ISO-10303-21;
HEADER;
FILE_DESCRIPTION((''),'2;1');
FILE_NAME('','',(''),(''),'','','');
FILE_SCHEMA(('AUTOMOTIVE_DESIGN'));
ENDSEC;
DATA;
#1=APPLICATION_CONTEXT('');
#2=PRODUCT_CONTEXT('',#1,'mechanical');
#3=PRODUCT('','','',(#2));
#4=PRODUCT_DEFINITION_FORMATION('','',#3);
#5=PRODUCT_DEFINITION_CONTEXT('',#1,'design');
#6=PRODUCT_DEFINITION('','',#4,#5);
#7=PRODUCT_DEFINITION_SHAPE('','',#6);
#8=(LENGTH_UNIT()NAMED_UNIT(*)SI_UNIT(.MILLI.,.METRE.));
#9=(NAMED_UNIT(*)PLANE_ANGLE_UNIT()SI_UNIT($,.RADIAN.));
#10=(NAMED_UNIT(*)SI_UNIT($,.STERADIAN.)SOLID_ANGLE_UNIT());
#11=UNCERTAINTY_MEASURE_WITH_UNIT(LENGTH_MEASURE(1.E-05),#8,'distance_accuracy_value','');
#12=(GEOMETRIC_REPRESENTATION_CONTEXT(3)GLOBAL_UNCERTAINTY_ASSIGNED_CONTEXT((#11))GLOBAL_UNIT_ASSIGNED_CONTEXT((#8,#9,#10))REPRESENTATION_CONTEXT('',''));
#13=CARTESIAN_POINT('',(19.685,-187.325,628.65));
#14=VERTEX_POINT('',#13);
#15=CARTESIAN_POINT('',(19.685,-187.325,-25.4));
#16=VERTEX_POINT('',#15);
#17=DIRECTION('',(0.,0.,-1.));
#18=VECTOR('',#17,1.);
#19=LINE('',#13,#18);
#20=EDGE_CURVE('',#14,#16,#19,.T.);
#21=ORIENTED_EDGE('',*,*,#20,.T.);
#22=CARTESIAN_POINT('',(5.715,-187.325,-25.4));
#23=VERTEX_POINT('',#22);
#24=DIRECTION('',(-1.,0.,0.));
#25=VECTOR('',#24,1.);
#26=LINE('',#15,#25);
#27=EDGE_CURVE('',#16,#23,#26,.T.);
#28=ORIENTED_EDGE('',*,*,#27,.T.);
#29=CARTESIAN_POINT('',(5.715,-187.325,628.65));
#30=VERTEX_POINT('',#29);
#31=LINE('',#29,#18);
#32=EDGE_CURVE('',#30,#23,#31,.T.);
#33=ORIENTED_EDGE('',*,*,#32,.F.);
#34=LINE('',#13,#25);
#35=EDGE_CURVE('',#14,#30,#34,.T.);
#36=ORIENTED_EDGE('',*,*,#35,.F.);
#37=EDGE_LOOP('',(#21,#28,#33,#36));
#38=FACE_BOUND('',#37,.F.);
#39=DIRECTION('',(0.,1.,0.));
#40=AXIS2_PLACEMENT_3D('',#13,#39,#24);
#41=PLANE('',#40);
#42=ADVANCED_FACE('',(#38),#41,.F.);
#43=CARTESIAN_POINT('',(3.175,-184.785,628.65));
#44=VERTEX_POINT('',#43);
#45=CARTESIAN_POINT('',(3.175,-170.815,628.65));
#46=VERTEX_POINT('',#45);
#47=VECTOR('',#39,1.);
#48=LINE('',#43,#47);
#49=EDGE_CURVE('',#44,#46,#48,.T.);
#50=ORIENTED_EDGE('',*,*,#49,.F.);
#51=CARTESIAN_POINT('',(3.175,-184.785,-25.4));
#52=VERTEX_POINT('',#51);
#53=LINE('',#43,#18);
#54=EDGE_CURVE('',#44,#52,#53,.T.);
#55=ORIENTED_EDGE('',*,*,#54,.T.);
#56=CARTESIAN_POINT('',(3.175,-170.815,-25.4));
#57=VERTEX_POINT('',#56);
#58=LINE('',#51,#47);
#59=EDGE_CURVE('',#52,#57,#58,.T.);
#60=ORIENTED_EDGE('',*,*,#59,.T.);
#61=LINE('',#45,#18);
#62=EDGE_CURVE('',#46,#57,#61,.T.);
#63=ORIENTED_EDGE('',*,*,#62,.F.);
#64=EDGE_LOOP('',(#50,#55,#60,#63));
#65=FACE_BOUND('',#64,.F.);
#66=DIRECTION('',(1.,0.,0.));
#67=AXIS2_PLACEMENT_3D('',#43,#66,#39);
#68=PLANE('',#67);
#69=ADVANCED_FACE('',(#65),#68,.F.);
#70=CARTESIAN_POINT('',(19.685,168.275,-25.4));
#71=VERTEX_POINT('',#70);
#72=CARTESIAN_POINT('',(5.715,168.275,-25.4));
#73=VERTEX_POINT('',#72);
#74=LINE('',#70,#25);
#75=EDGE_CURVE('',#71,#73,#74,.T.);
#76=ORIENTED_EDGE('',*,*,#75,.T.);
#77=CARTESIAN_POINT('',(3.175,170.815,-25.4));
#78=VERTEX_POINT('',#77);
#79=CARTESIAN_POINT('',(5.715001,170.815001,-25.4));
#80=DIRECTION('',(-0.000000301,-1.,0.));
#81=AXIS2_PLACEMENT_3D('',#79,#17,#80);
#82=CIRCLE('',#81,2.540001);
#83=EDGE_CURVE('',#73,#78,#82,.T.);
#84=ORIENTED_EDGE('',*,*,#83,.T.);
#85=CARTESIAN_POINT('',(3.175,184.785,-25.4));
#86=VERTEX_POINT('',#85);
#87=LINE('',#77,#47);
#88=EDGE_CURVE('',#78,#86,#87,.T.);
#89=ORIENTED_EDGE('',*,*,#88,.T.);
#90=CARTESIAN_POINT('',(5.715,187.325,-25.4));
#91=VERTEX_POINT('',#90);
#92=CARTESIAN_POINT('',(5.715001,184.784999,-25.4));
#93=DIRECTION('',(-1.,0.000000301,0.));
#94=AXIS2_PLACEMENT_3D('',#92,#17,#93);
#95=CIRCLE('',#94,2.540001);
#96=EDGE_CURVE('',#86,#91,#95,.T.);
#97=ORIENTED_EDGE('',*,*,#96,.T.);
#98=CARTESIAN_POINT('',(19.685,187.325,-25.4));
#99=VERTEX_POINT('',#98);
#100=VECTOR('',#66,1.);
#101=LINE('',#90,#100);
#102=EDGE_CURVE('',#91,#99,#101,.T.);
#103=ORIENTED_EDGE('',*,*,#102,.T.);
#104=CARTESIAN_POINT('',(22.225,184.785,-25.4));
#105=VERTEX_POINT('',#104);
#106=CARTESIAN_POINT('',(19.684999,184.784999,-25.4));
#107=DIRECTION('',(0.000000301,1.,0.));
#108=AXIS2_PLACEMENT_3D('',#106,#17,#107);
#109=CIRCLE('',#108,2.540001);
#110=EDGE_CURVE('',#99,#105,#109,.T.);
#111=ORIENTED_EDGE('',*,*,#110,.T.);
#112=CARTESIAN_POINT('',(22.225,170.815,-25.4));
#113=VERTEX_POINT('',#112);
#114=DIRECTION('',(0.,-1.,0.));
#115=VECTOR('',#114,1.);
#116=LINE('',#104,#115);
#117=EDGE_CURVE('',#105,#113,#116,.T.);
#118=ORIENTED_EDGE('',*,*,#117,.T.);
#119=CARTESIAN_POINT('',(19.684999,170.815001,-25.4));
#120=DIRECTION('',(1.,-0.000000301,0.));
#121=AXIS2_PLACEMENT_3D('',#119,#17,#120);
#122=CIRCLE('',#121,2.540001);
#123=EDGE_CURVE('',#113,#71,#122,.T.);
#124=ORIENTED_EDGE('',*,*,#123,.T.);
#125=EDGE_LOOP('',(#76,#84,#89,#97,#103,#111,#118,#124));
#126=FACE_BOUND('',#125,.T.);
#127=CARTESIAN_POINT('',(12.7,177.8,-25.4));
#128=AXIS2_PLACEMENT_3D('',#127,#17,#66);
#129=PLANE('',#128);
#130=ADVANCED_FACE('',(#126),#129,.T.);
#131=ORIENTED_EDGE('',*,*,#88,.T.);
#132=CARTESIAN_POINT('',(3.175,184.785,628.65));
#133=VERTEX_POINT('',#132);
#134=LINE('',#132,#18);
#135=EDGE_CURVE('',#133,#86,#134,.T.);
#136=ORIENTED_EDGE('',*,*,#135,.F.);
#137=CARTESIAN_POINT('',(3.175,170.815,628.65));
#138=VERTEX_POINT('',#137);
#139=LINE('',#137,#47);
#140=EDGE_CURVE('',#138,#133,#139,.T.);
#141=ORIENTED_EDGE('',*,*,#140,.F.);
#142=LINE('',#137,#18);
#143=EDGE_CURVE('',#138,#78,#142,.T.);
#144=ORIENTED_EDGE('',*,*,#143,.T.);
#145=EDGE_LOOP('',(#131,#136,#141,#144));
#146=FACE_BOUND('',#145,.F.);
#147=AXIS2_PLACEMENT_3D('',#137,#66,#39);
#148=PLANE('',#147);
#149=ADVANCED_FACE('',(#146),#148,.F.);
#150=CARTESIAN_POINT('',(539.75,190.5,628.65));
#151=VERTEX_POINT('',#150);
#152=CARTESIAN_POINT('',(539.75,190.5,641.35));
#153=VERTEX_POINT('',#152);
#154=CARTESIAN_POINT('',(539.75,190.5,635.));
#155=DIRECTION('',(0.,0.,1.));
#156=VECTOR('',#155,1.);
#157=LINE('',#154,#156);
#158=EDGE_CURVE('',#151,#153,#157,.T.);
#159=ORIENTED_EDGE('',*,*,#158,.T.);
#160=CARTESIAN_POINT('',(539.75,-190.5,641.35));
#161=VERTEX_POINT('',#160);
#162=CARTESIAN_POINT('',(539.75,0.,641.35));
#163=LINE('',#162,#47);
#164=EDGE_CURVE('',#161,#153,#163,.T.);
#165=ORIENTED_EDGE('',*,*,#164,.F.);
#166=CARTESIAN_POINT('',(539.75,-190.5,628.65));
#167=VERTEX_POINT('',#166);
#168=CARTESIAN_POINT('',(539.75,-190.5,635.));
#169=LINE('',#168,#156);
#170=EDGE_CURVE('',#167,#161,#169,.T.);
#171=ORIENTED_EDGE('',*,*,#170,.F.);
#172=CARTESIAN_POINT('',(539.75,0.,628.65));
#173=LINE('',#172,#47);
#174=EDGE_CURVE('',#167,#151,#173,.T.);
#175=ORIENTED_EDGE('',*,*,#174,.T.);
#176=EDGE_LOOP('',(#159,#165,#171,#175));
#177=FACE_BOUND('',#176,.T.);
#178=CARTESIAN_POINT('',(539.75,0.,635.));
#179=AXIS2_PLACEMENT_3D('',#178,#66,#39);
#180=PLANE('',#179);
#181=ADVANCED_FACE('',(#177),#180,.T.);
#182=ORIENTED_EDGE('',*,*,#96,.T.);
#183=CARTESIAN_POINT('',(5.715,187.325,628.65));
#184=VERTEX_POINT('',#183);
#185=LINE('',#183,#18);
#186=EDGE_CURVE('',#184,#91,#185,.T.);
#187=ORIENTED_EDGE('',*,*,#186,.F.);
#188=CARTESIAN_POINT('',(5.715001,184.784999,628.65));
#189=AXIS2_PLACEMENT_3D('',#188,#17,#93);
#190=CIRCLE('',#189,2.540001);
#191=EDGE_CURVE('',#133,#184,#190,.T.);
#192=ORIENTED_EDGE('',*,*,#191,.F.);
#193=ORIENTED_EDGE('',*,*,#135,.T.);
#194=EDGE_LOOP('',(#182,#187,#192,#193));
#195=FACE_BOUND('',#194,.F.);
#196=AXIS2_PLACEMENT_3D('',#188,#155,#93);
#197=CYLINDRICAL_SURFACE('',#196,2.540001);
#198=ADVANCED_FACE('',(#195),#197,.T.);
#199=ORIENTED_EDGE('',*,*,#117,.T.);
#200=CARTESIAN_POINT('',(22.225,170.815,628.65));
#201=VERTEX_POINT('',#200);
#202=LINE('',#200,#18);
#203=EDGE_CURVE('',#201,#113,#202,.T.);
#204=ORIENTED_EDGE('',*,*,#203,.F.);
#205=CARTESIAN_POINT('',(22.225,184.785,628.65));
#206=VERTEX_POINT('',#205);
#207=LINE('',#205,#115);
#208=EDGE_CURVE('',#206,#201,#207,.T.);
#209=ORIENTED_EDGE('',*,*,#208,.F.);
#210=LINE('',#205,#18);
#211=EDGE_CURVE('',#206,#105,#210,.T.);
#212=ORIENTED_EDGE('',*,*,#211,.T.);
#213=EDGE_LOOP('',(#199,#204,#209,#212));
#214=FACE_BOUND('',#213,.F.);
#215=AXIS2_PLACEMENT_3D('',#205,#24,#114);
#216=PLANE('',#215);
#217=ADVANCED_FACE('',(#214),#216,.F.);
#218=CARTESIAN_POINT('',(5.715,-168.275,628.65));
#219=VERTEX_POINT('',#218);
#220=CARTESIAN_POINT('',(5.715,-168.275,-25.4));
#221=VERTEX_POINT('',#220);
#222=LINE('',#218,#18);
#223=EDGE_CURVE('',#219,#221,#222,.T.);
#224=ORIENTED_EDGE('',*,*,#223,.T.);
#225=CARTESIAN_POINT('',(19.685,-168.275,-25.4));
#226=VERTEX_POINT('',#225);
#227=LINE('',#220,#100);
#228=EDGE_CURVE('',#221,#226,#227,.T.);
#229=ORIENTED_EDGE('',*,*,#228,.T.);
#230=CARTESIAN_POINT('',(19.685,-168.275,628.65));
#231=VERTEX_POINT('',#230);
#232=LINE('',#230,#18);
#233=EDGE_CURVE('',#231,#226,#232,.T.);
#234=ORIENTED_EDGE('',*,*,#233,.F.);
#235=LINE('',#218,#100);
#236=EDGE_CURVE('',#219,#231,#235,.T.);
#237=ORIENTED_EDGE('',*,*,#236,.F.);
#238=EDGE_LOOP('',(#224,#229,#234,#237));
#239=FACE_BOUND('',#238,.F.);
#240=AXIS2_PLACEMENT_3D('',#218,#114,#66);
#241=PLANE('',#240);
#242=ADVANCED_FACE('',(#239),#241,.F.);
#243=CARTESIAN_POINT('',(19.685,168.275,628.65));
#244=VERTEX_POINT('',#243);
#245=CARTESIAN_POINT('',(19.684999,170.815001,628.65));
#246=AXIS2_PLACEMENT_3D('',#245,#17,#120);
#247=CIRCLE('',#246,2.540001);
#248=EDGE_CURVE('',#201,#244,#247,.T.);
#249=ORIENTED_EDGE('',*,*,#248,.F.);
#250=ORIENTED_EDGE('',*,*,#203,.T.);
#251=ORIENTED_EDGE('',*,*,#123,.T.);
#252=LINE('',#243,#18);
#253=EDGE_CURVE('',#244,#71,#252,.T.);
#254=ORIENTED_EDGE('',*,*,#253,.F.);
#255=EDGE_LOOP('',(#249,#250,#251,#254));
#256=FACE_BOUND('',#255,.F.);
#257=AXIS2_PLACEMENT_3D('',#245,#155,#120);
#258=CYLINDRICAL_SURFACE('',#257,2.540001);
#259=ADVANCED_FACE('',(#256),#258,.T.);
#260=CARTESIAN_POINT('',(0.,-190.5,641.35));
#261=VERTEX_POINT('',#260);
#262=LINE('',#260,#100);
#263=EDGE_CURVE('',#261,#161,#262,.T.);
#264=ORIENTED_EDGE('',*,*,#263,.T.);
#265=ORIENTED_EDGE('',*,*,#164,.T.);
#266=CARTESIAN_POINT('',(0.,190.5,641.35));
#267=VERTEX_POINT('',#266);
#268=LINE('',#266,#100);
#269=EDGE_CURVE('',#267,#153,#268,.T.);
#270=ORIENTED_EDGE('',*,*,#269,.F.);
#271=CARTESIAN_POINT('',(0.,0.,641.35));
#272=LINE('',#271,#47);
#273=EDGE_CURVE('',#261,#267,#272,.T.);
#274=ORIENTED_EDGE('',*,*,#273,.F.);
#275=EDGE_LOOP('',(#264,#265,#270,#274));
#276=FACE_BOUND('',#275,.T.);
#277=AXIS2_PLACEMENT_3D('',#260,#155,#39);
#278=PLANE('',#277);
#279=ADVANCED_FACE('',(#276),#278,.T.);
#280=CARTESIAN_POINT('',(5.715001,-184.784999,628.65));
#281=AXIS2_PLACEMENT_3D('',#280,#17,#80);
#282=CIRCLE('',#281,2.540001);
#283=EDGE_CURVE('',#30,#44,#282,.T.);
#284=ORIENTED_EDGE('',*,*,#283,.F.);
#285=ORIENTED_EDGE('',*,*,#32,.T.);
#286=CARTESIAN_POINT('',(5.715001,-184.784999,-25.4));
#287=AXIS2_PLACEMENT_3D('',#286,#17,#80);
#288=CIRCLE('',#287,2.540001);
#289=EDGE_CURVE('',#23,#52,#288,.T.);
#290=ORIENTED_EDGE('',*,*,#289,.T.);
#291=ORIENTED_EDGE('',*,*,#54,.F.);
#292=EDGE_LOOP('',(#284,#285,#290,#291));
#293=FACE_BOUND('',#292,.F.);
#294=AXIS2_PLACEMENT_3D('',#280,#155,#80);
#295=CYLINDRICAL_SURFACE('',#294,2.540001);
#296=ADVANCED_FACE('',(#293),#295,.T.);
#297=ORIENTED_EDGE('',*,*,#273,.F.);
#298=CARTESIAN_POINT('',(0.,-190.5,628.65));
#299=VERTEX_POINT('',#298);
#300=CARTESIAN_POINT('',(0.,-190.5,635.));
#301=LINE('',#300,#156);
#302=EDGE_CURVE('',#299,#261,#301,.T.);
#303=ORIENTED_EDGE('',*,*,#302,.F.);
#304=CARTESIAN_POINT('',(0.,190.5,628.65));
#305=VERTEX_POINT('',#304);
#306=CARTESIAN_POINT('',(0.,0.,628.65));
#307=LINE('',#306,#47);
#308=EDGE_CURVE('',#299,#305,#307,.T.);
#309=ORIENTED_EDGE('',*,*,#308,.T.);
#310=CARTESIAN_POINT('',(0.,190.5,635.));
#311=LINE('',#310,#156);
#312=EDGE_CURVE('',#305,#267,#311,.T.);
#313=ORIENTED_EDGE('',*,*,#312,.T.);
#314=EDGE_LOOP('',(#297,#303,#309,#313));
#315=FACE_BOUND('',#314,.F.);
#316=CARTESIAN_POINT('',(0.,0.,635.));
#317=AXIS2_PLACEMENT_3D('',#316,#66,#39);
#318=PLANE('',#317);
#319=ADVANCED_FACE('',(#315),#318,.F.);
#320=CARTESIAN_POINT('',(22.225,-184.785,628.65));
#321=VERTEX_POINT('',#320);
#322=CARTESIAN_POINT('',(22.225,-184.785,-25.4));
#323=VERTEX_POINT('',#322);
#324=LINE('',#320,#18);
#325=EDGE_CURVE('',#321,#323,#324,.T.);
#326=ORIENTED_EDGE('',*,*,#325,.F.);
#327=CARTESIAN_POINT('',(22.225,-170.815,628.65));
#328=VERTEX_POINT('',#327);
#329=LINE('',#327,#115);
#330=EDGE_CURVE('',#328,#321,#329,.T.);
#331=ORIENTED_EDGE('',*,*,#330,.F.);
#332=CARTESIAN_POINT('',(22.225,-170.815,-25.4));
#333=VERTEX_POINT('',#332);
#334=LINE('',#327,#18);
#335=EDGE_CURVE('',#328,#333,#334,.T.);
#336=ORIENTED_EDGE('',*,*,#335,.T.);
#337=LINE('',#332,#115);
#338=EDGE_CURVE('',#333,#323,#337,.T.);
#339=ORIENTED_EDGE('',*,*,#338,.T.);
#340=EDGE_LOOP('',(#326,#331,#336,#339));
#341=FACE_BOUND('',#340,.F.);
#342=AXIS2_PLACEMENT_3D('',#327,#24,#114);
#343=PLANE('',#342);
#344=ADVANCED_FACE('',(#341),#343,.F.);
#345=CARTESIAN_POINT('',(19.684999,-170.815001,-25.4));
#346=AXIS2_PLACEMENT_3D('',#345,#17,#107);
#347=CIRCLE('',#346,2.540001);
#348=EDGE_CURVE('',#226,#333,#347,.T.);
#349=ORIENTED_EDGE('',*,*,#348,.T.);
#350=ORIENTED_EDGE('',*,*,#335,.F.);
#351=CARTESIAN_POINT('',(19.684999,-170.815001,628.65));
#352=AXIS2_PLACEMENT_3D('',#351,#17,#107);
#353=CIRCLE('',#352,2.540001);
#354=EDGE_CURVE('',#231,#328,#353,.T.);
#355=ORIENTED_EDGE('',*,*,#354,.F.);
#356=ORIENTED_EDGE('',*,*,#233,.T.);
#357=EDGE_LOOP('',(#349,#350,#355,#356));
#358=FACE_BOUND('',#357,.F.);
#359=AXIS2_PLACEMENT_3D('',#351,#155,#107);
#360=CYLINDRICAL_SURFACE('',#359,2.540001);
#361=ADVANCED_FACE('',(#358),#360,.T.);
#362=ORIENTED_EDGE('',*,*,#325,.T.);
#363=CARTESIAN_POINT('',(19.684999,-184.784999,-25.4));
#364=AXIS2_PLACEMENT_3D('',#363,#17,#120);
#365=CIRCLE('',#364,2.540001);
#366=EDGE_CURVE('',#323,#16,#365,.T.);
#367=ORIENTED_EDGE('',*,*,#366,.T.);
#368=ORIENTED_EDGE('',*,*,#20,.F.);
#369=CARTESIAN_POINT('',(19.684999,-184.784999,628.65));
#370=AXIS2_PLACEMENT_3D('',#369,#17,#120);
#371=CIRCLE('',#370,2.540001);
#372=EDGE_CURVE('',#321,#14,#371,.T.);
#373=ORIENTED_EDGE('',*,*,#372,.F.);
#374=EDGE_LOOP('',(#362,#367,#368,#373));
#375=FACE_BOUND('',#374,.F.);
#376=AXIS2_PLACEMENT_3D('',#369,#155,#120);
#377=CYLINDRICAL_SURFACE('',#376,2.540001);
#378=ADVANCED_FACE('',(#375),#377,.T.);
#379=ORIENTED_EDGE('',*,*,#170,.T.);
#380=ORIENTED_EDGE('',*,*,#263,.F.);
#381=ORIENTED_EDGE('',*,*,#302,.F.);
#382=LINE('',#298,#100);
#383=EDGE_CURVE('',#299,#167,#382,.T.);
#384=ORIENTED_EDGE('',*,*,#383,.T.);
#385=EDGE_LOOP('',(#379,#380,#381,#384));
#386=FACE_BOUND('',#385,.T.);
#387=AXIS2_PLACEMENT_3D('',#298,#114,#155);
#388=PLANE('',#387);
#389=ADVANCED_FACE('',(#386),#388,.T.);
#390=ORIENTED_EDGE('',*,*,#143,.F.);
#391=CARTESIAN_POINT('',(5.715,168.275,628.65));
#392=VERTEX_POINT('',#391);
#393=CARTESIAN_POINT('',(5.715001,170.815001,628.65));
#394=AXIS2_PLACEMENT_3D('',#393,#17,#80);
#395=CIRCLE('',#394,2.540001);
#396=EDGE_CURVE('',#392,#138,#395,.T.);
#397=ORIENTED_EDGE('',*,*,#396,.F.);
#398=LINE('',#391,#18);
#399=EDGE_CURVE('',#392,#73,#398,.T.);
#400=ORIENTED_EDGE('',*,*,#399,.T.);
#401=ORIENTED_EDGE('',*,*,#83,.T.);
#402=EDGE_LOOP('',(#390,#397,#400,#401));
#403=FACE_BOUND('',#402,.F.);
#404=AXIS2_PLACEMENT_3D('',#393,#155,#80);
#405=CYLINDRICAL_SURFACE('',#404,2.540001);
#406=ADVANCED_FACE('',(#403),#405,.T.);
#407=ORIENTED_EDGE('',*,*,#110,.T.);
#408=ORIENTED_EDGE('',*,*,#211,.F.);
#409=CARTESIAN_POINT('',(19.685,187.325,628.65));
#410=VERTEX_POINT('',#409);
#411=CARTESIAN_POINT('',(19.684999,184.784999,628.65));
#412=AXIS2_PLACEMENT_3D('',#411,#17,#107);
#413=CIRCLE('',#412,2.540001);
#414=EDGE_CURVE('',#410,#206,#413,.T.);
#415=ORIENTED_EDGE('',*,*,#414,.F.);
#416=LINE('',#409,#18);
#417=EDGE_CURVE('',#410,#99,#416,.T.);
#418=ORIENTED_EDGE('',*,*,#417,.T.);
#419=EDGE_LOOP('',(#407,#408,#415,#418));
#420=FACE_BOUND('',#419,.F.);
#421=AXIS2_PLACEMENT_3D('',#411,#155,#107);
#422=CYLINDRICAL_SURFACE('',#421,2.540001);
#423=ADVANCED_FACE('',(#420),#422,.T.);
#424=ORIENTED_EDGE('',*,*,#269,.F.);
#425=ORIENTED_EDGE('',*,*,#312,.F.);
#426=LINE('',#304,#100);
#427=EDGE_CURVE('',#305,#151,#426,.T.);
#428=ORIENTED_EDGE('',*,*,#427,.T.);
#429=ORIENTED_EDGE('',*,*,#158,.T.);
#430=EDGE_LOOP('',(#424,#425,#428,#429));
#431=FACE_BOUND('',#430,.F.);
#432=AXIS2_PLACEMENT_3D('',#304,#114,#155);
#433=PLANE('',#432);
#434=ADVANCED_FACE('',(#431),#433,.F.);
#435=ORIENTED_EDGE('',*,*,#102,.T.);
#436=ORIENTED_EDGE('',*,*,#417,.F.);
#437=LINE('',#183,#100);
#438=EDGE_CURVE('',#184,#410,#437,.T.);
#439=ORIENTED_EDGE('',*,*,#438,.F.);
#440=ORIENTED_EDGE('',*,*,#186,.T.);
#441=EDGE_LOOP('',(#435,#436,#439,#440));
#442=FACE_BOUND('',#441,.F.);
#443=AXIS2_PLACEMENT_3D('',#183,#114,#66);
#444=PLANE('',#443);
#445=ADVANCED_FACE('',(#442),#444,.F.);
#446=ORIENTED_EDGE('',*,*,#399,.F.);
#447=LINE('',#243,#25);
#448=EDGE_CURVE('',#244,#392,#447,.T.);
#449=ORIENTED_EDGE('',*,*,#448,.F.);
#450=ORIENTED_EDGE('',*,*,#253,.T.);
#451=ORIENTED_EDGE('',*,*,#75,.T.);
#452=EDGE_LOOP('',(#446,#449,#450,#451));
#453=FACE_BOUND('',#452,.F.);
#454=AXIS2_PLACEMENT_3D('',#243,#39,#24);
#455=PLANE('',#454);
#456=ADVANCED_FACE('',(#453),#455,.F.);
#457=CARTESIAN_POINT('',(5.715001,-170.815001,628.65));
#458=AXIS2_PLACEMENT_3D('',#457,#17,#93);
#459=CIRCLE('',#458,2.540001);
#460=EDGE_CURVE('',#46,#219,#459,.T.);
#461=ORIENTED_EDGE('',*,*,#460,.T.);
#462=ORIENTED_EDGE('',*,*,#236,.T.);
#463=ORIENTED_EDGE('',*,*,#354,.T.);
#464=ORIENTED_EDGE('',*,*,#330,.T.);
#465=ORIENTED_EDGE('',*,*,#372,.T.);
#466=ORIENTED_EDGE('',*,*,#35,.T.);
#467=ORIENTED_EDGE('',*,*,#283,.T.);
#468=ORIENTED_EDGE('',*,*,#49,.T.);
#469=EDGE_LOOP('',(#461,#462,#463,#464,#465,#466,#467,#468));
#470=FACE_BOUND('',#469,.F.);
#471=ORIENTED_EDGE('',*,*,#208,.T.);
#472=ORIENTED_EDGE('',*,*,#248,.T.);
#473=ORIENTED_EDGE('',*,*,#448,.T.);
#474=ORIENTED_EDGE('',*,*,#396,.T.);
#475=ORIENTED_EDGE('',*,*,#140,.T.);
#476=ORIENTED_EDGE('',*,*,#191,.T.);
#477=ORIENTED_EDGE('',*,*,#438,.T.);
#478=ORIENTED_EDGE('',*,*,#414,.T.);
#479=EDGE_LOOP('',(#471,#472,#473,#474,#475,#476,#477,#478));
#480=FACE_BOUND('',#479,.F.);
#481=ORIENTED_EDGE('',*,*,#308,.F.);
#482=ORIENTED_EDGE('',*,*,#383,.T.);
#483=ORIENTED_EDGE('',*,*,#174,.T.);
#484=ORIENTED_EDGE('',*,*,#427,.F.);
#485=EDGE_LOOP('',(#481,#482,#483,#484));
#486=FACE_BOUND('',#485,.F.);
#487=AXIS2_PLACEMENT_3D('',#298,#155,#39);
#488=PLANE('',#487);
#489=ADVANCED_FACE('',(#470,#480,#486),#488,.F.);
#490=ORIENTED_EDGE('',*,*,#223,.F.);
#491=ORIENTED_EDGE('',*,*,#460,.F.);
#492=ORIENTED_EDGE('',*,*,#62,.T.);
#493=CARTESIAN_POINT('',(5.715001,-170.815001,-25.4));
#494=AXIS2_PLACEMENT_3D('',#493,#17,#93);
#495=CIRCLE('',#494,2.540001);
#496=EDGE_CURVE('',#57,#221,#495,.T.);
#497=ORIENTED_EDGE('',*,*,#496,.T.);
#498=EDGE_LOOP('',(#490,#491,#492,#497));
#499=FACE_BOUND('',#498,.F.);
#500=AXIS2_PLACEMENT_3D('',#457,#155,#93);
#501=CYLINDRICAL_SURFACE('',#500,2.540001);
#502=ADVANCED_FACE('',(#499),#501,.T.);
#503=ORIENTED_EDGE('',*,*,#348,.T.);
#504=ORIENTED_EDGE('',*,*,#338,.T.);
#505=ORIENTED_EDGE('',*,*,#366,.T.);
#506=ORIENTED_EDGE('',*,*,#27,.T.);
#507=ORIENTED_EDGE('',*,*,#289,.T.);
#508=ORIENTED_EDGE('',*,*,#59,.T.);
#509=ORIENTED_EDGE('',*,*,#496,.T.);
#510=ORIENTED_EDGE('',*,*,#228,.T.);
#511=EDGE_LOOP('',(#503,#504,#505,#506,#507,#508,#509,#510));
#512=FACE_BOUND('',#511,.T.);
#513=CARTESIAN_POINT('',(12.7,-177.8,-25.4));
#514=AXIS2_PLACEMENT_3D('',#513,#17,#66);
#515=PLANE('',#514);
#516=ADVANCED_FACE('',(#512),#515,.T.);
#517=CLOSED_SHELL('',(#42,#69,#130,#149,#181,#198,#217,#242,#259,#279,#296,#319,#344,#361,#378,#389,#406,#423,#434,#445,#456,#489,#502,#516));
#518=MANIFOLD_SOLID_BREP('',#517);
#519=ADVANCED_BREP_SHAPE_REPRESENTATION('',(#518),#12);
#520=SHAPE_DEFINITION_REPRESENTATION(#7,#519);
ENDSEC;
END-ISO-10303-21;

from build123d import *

# Parameters (mm, degrees)
F0_W     = 381
F0_H     = 12.7
F1_DEPTH = 539.75
F3_DEPTH = 654.05


with BuildPart() as f1:
    # F0 (on Right) → F1 (new body)
    with BuildSketch(Plane.YZ):
        with Locations((0, 635)):
            Rectangle(F0_W, F0_H)
    extrude(amount=F1_DEPTH)

    # F2 (on face) → F3 (join)
    with BuildSketch(Plane(origin=(0, 0, 628.65), x_dir=(1, 0, 0), z_dir=(0, 0, -1))):
        with BuildLine():
            Line((19.685, 187.325), (5.715, 187.325))
            ThreePointArc((5.715, 187.325), (3.918949, 186.581051), (3.175, 184.785))
            Line((3.175, 184.785), (3.175, 170.815))
            ThreePointArc((3.175, 170.815), (3.918949, 169.018949), (5.715, 168.275))
            Line((5.715, 168.275), (19.685, 168.275))
            ThreePointArc((19.685, 168.275), (21.481051, 169.018949), (22.225, 170.815))
            Line((22.225, 170.815), (22.225, 184.785))
            ThreePointArc((22.225, 184.785), (21.481051, 186.581051), (19.685, 187.325))
        make_face()
        with BuildLine():
            ThreePointArc((19.685, -187.325), (21.481051, -186.581051), (22.225, -184.785))
            Line((22.225, -184.785), (22.225, -170.815))
            ThreePointArc((22.225, -170.815), (21.481051, -169.018949), (19.685, -168.275))
            Line((19.685, -168.275), (5.715, -168.275))
            ThreePointArc((5.715, -168.275), (3.918949, -169.018949), (3.175, -170.815))
            Line((3.175, -170.815), (3.175, -184.785))
            ThreePointArc((3.175, -184.785), (3.918949, -186.581051), (5.715, -187.325))
            Line((5.715, -187.325), (19.685, -187.325))
        make_face()
    extrude(amount=F3_DEPTH)


solid = f1.part
